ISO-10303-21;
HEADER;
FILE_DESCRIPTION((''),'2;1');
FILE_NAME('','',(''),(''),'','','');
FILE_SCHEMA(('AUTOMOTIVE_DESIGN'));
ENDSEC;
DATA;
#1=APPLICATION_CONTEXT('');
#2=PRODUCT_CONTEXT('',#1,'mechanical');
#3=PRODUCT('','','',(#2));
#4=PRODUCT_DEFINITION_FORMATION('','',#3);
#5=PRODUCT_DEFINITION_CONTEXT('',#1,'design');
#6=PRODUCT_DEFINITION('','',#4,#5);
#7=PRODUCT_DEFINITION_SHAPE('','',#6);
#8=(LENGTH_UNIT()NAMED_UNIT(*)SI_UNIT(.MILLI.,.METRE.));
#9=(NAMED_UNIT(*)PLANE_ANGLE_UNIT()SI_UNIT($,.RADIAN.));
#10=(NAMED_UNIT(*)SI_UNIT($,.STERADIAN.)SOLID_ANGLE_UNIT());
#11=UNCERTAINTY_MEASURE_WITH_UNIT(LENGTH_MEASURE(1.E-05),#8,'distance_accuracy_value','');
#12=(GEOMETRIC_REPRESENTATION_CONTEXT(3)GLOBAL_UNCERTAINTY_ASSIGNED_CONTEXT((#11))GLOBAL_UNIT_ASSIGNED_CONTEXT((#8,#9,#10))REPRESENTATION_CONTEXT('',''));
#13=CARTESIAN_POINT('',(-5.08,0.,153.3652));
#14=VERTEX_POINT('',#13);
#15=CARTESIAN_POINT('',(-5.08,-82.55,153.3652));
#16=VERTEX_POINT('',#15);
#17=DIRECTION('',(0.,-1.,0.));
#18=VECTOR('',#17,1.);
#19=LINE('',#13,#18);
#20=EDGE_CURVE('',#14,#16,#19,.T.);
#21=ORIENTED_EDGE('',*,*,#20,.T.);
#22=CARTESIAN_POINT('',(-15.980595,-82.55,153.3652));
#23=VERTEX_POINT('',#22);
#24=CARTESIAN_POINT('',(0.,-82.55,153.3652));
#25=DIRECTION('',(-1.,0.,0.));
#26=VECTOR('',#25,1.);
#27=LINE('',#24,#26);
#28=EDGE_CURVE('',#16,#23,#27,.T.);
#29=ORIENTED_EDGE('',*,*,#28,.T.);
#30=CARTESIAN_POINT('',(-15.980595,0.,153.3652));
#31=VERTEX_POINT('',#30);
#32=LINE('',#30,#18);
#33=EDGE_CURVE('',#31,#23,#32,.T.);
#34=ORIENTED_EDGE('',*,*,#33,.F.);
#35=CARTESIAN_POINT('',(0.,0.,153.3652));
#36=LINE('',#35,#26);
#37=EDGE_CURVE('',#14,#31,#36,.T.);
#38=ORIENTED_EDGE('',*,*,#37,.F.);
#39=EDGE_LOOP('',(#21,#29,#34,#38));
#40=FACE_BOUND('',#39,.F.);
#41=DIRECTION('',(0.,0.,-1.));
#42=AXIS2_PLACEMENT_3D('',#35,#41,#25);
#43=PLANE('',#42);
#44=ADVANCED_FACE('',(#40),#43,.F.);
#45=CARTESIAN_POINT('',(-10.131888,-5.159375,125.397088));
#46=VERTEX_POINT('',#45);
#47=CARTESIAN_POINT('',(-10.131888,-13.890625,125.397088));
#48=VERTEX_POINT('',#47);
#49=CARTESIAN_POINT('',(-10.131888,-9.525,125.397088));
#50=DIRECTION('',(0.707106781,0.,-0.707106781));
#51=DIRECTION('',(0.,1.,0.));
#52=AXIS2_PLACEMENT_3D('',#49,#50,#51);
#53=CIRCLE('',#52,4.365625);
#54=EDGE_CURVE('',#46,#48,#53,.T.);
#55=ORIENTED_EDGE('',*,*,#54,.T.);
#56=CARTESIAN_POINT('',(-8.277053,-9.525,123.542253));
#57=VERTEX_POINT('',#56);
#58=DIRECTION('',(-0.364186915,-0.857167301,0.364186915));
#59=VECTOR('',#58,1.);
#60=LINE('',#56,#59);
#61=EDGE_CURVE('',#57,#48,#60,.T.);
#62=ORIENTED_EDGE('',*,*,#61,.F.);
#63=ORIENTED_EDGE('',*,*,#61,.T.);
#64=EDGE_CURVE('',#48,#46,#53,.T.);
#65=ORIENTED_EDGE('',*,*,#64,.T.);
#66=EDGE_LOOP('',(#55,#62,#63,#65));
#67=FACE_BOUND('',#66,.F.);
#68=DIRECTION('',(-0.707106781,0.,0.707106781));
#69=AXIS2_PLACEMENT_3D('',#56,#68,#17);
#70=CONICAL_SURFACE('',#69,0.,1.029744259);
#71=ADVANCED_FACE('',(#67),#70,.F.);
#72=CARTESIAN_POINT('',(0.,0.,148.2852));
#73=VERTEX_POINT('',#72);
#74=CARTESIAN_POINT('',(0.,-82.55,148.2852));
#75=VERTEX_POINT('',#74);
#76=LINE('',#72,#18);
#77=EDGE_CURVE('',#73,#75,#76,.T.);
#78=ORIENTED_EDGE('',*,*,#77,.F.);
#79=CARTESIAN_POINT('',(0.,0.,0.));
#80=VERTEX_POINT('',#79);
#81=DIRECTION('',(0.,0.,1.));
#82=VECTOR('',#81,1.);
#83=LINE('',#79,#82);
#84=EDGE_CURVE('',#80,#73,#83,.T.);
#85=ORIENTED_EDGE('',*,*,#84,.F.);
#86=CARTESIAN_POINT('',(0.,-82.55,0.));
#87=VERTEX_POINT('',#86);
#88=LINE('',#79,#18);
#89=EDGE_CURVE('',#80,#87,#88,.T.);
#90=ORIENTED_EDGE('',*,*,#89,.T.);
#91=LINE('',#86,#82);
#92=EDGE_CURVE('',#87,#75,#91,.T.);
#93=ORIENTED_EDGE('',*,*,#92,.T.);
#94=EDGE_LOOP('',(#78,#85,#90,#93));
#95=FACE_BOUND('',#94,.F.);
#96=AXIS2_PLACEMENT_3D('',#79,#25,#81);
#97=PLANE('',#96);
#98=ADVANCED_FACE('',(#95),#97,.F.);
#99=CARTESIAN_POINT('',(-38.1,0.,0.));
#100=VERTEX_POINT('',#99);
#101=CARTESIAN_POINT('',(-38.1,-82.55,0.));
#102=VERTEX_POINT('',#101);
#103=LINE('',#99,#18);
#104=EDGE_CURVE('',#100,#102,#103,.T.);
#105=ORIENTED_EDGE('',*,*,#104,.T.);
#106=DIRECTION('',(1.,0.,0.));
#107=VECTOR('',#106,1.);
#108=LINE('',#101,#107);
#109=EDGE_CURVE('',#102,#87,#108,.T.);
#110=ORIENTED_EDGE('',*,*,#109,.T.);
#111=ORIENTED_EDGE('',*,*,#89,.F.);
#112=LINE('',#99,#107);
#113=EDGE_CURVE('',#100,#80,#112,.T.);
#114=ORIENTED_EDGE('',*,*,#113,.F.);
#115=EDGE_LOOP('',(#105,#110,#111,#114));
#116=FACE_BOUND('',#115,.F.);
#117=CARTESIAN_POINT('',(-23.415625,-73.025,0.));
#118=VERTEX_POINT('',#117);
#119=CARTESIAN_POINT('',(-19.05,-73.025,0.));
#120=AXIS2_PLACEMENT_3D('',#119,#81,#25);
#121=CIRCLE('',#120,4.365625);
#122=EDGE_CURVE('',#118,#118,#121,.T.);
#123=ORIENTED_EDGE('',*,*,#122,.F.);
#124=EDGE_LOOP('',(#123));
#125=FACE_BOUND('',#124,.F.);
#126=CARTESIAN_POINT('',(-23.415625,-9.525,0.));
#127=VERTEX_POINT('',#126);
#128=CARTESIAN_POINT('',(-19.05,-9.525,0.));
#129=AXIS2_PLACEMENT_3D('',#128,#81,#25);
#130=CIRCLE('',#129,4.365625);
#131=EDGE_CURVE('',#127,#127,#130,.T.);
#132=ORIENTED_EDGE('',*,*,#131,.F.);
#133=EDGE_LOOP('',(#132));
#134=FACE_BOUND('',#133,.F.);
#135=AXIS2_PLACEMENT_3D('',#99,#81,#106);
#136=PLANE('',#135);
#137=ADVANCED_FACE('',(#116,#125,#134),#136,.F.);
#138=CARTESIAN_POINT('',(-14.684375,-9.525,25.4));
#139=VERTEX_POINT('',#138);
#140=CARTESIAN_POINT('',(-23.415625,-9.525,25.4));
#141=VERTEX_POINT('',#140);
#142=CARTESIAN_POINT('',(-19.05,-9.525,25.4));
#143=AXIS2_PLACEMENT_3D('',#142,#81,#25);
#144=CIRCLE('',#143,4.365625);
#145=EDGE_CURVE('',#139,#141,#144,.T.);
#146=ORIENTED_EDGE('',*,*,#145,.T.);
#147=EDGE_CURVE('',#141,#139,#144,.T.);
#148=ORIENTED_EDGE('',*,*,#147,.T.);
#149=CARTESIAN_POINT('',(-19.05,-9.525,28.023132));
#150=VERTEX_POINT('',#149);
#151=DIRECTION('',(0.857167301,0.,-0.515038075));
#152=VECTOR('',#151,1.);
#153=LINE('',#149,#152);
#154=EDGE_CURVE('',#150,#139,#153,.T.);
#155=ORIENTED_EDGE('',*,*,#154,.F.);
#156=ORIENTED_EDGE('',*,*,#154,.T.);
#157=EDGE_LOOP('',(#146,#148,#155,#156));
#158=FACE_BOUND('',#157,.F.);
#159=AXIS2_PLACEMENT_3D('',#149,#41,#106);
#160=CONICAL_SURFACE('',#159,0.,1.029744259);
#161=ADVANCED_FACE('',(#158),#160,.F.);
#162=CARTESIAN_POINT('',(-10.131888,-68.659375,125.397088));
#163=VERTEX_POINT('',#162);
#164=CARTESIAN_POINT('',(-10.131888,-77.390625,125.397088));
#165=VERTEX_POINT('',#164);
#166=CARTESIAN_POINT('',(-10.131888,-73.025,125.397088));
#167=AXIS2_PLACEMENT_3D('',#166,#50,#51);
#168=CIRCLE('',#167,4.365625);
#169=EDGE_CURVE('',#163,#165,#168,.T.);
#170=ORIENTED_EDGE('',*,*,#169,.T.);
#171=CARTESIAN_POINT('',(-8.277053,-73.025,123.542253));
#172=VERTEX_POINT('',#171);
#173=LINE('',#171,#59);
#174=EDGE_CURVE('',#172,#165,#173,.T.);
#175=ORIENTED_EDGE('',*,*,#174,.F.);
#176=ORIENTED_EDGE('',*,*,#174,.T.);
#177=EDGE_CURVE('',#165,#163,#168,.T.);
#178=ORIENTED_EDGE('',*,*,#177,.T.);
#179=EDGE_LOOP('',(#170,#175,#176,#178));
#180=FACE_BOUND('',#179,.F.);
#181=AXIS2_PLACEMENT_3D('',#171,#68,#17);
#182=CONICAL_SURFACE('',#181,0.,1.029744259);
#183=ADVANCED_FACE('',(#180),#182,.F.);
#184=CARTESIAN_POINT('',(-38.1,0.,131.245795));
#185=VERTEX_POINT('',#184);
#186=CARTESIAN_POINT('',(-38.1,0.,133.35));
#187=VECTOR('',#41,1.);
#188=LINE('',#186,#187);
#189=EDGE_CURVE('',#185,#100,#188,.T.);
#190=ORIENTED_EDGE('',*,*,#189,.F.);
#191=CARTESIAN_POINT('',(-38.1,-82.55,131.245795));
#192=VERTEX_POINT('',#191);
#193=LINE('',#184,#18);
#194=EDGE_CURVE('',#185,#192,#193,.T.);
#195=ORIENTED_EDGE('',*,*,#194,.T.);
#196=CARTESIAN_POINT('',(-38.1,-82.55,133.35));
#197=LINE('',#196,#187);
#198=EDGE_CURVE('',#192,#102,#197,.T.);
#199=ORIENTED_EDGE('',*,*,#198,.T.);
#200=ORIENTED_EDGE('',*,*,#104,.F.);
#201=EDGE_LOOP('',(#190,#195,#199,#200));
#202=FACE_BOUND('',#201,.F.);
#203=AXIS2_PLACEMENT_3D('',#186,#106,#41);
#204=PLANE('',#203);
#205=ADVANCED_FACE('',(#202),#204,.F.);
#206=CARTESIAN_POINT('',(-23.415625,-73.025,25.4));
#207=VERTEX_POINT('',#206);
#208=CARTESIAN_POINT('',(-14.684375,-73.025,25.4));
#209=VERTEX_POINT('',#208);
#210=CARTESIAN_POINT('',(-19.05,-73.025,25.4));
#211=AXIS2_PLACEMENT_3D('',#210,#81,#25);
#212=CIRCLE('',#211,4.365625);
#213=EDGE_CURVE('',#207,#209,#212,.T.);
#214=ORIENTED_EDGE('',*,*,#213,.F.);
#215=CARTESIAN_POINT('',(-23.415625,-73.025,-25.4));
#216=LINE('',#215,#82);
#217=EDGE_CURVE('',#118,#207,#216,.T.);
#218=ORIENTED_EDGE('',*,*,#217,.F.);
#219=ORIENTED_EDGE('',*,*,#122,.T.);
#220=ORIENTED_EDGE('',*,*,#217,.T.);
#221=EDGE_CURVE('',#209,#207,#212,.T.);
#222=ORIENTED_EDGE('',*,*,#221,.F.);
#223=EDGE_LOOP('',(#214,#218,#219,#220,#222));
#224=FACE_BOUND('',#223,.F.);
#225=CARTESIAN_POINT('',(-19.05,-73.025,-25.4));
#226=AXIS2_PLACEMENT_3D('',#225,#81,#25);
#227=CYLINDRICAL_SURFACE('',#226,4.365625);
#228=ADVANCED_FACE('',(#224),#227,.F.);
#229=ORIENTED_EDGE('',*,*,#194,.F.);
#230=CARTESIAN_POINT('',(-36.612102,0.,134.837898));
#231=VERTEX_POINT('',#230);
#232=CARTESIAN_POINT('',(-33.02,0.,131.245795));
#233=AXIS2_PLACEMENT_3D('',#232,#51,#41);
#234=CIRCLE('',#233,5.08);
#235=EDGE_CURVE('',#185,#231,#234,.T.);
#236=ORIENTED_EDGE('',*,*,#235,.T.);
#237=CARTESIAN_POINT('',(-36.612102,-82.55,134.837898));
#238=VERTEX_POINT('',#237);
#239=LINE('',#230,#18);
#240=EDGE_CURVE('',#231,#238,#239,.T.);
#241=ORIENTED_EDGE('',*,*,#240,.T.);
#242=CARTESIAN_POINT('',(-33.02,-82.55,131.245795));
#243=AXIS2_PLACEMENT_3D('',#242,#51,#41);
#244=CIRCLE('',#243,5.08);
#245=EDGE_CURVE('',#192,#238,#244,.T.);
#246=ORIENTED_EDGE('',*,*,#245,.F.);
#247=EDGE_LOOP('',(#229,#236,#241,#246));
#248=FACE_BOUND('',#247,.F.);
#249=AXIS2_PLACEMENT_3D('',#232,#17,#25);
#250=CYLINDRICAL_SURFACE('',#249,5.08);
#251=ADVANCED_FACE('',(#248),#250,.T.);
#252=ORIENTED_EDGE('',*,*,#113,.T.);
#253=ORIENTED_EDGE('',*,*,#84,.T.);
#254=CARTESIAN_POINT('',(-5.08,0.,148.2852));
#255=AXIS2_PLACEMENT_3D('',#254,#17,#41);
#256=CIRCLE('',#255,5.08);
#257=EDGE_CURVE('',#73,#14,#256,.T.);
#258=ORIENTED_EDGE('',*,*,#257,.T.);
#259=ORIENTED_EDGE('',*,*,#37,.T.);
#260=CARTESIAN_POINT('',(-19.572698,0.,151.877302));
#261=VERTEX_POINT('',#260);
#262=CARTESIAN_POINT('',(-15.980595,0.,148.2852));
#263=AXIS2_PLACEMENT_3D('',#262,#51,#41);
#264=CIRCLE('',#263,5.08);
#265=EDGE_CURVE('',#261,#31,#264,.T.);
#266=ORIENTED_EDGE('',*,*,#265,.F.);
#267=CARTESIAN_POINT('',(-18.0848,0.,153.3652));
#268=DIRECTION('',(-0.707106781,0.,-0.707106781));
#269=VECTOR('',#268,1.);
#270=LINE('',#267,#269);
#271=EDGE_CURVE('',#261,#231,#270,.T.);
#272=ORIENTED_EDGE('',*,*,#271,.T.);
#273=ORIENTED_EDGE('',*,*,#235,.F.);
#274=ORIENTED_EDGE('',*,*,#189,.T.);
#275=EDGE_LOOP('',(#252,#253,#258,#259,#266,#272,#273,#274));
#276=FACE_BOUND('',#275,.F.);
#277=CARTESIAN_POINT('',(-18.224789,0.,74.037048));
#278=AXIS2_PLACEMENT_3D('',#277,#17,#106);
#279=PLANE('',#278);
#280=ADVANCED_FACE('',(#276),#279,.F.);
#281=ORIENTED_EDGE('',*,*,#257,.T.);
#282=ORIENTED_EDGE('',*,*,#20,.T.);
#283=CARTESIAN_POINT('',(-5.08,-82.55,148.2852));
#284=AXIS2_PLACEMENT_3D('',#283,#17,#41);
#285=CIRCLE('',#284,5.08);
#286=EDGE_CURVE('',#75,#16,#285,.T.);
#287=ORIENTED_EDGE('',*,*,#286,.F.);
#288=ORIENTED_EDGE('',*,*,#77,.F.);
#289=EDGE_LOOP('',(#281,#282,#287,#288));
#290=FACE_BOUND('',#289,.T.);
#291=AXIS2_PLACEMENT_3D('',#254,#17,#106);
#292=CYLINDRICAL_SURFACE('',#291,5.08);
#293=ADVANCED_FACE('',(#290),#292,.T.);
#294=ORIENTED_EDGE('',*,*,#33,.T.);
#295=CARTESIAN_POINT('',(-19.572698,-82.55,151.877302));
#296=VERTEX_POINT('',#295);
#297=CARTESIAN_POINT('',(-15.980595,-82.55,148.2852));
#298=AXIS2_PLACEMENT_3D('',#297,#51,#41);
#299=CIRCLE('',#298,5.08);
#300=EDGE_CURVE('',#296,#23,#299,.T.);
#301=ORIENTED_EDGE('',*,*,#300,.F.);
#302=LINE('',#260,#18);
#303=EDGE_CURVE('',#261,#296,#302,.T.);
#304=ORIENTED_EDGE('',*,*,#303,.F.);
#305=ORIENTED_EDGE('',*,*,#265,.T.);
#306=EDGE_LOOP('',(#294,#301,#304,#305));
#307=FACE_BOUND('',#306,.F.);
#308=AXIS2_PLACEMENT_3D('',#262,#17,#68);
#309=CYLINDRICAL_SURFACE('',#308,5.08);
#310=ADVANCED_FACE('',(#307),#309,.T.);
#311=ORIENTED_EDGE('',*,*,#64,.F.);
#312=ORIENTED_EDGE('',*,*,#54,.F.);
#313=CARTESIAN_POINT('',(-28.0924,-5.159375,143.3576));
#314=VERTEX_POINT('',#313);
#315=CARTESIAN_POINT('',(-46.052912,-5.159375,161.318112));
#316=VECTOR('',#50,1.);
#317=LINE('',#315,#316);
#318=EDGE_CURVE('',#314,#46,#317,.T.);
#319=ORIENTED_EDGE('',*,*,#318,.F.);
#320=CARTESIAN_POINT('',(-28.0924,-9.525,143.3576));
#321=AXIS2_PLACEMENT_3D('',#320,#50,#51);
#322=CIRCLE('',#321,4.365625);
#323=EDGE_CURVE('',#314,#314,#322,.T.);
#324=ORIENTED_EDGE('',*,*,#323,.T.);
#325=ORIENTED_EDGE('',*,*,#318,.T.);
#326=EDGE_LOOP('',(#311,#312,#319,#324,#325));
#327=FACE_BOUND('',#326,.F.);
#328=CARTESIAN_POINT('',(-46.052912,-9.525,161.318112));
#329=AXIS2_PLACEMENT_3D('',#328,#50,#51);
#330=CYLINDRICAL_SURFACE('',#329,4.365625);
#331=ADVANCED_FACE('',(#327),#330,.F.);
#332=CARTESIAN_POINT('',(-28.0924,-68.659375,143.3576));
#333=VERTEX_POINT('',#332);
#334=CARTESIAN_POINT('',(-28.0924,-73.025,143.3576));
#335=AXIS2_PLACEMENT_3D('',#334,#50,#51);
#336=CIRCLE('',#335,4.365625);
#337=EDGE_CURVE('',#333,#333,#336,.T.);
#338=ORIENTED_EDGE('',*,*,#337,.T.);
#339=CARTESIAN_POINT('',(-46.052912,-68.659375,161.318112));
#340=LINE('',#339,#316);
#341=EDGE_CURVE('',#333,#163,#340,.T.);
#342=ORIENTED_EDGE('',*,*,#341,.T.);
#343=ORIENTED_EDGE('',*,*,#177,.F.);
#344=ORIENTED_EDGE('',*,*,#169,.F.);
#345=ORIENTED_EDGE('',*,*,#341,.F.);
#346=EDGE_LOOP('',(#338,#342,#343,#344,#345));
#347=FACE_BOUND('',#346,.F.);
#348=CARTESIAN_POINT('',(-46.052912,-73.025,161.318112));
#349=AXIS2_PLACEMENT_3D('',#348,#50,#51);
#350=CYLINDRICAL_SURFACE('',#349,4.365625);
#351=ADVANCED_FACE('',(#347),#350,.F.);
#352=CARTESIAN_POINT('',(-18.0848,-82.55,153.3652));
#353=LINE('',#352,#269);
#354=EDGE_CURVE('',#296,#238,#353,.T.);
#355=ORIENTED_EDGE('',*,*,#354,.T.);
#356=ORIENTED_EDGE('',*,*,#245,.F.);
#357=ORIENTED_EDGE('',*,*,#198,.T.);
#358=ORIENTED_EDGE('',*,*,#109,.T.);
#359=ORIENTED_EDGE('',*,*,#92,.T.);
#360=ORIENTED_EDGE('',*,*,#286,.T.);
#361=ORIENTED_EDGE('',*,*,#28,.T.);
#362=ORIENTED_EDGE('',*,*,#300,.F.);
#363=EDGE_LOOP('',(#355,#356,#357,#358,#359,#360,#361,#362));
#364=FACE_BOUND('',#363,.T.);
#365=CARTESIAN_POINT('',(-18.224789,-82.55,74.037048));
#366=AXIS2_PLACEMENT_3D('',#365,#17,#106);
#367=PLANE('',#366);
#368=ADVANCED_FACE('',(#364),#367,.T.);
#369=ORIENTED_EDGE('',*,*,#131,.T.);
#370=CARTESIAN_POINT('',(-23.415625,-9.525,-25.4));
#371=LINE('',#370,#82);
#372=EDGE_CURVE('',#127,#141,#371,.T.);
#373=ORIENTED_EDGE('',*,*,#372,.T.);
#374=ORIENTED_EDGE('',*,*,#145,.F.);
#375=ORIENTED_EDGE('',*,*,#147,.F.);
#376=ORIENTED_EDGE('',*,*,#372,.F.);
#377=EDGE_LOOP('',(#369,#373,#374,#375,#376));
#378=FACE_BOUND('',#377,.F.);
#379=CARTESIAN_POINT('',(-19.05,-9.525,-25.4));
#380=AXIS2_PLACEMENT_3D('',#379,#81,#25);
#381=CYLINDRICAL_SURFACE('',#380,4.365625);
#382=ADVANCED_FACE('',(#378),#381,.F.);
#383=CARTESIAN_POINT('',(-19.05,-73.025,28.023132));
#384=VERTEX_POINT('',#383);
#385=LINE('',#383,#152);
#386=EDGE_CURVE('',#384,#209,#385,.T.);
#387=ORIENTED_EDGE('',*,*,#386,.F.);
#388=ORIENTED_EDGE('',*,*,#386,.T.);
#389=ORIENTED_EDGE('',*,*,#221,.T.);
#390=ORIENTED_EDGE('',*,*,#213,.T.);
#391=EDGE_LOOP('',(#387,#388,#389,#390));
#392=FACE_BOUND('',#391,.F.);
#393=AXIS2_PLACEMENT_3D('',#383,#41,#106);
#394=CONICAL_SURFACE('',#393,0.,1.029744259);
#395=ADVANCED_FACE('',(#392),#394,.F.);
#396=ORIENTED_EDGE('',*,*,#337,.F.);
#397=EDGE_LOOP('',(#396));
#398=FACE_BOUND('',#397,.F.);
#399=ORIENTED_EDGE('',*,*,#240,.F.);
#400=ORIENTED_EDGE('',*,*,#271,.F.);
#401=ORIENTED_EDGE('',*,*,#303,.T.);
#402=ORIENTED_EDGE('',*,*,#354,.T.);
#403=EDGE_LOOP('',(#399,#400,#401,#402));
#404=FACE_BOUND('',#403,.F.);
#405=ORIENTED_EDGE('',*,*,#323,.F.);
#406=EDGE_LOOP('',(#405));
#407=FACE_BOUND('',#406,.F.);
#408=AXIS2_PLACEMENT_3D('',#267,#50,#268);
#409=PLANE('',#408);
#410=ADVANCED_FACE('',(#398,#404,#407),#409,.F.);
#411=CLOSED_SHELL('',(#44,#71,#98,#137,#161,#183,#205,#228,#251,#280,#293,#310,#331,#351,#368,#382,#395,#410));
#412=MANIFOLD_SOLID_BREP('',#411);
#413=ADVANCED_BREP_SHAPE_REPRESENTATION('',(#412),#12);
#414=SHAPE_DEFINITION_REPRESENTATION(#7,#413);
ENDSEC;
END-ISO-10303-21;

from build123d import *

# Parameters (mm, degrees)
F1_DEPTH       = 82.55
F4_D           = 8.73125
F4_DEPTH       = 25.4
F4_TIP         = 2.6231321399
F4_ON_F3_D     = 8.73125
F4_ON_F3_DEPTH = 25.4
F4_ON_F3_TIP   = 2.6231321399
F5_R           = 5.08


with BuildPart() as f1:
    # F0 (on Front) → F1 (new body)
    with BuildSketch(Plane.XZ):
        Polygon((-38.1, 0), (0, 0), (0, 153.3652), (-18.0848, 153.3652), (-38.1, 133.35), align=None)
    extrude(amount=F1_DEPTH)

    # F4
    with Locations(Plane(origin=(-85.725, 0, 85.725), x_dir=(0, -1, 0), z_dir=(-0.7071067812, 0, 0.7071067812))):
        with Locations((73.025, 81.5048045548), (9.525, 81.5048045548)):
            Hole(F4_D / 2, depth=F4_DEPTH)
            with Locations((0, 0, -(F4_DEPTH + F4_TIP / 2))):  # 118° drill point
                Cone(0, F4_D / 2, F4_TIP, mode=Mode.SUBTRACT)

    # F4 on F3
    with Locations(Plane(origin=(0, 0, 0), x_dir=(1, 0, 0), z_dir=(0, 0, -1))):
        with Locations((-19.05, 73.025), (-19.05, 9.525)):
            Hole(F4_ON_F3_D / 2, depth=F4_ON_F3_DEPTH)
            with Locations((0, 0, -(F4_ON_F3_DEPTH + F4_ON_F3_TIP / 2))):  # 118° drill point
                Cone(0, F4_ON_F3_D / 2, F4_ON_F3_TIP, mode=Mode.SUBTRACT)

    # F5
    f5_edges = [f1.edges().sort_by_distance(p)[0] for p in [
        (-38.1, -41.275, 133.35),
        (-18.0848, -41.275, 153.3652),
        (0, -41.275, 153.3652),
    ]]
    fillet(f5_edges, radius=F5_R)


solid = f1.part
